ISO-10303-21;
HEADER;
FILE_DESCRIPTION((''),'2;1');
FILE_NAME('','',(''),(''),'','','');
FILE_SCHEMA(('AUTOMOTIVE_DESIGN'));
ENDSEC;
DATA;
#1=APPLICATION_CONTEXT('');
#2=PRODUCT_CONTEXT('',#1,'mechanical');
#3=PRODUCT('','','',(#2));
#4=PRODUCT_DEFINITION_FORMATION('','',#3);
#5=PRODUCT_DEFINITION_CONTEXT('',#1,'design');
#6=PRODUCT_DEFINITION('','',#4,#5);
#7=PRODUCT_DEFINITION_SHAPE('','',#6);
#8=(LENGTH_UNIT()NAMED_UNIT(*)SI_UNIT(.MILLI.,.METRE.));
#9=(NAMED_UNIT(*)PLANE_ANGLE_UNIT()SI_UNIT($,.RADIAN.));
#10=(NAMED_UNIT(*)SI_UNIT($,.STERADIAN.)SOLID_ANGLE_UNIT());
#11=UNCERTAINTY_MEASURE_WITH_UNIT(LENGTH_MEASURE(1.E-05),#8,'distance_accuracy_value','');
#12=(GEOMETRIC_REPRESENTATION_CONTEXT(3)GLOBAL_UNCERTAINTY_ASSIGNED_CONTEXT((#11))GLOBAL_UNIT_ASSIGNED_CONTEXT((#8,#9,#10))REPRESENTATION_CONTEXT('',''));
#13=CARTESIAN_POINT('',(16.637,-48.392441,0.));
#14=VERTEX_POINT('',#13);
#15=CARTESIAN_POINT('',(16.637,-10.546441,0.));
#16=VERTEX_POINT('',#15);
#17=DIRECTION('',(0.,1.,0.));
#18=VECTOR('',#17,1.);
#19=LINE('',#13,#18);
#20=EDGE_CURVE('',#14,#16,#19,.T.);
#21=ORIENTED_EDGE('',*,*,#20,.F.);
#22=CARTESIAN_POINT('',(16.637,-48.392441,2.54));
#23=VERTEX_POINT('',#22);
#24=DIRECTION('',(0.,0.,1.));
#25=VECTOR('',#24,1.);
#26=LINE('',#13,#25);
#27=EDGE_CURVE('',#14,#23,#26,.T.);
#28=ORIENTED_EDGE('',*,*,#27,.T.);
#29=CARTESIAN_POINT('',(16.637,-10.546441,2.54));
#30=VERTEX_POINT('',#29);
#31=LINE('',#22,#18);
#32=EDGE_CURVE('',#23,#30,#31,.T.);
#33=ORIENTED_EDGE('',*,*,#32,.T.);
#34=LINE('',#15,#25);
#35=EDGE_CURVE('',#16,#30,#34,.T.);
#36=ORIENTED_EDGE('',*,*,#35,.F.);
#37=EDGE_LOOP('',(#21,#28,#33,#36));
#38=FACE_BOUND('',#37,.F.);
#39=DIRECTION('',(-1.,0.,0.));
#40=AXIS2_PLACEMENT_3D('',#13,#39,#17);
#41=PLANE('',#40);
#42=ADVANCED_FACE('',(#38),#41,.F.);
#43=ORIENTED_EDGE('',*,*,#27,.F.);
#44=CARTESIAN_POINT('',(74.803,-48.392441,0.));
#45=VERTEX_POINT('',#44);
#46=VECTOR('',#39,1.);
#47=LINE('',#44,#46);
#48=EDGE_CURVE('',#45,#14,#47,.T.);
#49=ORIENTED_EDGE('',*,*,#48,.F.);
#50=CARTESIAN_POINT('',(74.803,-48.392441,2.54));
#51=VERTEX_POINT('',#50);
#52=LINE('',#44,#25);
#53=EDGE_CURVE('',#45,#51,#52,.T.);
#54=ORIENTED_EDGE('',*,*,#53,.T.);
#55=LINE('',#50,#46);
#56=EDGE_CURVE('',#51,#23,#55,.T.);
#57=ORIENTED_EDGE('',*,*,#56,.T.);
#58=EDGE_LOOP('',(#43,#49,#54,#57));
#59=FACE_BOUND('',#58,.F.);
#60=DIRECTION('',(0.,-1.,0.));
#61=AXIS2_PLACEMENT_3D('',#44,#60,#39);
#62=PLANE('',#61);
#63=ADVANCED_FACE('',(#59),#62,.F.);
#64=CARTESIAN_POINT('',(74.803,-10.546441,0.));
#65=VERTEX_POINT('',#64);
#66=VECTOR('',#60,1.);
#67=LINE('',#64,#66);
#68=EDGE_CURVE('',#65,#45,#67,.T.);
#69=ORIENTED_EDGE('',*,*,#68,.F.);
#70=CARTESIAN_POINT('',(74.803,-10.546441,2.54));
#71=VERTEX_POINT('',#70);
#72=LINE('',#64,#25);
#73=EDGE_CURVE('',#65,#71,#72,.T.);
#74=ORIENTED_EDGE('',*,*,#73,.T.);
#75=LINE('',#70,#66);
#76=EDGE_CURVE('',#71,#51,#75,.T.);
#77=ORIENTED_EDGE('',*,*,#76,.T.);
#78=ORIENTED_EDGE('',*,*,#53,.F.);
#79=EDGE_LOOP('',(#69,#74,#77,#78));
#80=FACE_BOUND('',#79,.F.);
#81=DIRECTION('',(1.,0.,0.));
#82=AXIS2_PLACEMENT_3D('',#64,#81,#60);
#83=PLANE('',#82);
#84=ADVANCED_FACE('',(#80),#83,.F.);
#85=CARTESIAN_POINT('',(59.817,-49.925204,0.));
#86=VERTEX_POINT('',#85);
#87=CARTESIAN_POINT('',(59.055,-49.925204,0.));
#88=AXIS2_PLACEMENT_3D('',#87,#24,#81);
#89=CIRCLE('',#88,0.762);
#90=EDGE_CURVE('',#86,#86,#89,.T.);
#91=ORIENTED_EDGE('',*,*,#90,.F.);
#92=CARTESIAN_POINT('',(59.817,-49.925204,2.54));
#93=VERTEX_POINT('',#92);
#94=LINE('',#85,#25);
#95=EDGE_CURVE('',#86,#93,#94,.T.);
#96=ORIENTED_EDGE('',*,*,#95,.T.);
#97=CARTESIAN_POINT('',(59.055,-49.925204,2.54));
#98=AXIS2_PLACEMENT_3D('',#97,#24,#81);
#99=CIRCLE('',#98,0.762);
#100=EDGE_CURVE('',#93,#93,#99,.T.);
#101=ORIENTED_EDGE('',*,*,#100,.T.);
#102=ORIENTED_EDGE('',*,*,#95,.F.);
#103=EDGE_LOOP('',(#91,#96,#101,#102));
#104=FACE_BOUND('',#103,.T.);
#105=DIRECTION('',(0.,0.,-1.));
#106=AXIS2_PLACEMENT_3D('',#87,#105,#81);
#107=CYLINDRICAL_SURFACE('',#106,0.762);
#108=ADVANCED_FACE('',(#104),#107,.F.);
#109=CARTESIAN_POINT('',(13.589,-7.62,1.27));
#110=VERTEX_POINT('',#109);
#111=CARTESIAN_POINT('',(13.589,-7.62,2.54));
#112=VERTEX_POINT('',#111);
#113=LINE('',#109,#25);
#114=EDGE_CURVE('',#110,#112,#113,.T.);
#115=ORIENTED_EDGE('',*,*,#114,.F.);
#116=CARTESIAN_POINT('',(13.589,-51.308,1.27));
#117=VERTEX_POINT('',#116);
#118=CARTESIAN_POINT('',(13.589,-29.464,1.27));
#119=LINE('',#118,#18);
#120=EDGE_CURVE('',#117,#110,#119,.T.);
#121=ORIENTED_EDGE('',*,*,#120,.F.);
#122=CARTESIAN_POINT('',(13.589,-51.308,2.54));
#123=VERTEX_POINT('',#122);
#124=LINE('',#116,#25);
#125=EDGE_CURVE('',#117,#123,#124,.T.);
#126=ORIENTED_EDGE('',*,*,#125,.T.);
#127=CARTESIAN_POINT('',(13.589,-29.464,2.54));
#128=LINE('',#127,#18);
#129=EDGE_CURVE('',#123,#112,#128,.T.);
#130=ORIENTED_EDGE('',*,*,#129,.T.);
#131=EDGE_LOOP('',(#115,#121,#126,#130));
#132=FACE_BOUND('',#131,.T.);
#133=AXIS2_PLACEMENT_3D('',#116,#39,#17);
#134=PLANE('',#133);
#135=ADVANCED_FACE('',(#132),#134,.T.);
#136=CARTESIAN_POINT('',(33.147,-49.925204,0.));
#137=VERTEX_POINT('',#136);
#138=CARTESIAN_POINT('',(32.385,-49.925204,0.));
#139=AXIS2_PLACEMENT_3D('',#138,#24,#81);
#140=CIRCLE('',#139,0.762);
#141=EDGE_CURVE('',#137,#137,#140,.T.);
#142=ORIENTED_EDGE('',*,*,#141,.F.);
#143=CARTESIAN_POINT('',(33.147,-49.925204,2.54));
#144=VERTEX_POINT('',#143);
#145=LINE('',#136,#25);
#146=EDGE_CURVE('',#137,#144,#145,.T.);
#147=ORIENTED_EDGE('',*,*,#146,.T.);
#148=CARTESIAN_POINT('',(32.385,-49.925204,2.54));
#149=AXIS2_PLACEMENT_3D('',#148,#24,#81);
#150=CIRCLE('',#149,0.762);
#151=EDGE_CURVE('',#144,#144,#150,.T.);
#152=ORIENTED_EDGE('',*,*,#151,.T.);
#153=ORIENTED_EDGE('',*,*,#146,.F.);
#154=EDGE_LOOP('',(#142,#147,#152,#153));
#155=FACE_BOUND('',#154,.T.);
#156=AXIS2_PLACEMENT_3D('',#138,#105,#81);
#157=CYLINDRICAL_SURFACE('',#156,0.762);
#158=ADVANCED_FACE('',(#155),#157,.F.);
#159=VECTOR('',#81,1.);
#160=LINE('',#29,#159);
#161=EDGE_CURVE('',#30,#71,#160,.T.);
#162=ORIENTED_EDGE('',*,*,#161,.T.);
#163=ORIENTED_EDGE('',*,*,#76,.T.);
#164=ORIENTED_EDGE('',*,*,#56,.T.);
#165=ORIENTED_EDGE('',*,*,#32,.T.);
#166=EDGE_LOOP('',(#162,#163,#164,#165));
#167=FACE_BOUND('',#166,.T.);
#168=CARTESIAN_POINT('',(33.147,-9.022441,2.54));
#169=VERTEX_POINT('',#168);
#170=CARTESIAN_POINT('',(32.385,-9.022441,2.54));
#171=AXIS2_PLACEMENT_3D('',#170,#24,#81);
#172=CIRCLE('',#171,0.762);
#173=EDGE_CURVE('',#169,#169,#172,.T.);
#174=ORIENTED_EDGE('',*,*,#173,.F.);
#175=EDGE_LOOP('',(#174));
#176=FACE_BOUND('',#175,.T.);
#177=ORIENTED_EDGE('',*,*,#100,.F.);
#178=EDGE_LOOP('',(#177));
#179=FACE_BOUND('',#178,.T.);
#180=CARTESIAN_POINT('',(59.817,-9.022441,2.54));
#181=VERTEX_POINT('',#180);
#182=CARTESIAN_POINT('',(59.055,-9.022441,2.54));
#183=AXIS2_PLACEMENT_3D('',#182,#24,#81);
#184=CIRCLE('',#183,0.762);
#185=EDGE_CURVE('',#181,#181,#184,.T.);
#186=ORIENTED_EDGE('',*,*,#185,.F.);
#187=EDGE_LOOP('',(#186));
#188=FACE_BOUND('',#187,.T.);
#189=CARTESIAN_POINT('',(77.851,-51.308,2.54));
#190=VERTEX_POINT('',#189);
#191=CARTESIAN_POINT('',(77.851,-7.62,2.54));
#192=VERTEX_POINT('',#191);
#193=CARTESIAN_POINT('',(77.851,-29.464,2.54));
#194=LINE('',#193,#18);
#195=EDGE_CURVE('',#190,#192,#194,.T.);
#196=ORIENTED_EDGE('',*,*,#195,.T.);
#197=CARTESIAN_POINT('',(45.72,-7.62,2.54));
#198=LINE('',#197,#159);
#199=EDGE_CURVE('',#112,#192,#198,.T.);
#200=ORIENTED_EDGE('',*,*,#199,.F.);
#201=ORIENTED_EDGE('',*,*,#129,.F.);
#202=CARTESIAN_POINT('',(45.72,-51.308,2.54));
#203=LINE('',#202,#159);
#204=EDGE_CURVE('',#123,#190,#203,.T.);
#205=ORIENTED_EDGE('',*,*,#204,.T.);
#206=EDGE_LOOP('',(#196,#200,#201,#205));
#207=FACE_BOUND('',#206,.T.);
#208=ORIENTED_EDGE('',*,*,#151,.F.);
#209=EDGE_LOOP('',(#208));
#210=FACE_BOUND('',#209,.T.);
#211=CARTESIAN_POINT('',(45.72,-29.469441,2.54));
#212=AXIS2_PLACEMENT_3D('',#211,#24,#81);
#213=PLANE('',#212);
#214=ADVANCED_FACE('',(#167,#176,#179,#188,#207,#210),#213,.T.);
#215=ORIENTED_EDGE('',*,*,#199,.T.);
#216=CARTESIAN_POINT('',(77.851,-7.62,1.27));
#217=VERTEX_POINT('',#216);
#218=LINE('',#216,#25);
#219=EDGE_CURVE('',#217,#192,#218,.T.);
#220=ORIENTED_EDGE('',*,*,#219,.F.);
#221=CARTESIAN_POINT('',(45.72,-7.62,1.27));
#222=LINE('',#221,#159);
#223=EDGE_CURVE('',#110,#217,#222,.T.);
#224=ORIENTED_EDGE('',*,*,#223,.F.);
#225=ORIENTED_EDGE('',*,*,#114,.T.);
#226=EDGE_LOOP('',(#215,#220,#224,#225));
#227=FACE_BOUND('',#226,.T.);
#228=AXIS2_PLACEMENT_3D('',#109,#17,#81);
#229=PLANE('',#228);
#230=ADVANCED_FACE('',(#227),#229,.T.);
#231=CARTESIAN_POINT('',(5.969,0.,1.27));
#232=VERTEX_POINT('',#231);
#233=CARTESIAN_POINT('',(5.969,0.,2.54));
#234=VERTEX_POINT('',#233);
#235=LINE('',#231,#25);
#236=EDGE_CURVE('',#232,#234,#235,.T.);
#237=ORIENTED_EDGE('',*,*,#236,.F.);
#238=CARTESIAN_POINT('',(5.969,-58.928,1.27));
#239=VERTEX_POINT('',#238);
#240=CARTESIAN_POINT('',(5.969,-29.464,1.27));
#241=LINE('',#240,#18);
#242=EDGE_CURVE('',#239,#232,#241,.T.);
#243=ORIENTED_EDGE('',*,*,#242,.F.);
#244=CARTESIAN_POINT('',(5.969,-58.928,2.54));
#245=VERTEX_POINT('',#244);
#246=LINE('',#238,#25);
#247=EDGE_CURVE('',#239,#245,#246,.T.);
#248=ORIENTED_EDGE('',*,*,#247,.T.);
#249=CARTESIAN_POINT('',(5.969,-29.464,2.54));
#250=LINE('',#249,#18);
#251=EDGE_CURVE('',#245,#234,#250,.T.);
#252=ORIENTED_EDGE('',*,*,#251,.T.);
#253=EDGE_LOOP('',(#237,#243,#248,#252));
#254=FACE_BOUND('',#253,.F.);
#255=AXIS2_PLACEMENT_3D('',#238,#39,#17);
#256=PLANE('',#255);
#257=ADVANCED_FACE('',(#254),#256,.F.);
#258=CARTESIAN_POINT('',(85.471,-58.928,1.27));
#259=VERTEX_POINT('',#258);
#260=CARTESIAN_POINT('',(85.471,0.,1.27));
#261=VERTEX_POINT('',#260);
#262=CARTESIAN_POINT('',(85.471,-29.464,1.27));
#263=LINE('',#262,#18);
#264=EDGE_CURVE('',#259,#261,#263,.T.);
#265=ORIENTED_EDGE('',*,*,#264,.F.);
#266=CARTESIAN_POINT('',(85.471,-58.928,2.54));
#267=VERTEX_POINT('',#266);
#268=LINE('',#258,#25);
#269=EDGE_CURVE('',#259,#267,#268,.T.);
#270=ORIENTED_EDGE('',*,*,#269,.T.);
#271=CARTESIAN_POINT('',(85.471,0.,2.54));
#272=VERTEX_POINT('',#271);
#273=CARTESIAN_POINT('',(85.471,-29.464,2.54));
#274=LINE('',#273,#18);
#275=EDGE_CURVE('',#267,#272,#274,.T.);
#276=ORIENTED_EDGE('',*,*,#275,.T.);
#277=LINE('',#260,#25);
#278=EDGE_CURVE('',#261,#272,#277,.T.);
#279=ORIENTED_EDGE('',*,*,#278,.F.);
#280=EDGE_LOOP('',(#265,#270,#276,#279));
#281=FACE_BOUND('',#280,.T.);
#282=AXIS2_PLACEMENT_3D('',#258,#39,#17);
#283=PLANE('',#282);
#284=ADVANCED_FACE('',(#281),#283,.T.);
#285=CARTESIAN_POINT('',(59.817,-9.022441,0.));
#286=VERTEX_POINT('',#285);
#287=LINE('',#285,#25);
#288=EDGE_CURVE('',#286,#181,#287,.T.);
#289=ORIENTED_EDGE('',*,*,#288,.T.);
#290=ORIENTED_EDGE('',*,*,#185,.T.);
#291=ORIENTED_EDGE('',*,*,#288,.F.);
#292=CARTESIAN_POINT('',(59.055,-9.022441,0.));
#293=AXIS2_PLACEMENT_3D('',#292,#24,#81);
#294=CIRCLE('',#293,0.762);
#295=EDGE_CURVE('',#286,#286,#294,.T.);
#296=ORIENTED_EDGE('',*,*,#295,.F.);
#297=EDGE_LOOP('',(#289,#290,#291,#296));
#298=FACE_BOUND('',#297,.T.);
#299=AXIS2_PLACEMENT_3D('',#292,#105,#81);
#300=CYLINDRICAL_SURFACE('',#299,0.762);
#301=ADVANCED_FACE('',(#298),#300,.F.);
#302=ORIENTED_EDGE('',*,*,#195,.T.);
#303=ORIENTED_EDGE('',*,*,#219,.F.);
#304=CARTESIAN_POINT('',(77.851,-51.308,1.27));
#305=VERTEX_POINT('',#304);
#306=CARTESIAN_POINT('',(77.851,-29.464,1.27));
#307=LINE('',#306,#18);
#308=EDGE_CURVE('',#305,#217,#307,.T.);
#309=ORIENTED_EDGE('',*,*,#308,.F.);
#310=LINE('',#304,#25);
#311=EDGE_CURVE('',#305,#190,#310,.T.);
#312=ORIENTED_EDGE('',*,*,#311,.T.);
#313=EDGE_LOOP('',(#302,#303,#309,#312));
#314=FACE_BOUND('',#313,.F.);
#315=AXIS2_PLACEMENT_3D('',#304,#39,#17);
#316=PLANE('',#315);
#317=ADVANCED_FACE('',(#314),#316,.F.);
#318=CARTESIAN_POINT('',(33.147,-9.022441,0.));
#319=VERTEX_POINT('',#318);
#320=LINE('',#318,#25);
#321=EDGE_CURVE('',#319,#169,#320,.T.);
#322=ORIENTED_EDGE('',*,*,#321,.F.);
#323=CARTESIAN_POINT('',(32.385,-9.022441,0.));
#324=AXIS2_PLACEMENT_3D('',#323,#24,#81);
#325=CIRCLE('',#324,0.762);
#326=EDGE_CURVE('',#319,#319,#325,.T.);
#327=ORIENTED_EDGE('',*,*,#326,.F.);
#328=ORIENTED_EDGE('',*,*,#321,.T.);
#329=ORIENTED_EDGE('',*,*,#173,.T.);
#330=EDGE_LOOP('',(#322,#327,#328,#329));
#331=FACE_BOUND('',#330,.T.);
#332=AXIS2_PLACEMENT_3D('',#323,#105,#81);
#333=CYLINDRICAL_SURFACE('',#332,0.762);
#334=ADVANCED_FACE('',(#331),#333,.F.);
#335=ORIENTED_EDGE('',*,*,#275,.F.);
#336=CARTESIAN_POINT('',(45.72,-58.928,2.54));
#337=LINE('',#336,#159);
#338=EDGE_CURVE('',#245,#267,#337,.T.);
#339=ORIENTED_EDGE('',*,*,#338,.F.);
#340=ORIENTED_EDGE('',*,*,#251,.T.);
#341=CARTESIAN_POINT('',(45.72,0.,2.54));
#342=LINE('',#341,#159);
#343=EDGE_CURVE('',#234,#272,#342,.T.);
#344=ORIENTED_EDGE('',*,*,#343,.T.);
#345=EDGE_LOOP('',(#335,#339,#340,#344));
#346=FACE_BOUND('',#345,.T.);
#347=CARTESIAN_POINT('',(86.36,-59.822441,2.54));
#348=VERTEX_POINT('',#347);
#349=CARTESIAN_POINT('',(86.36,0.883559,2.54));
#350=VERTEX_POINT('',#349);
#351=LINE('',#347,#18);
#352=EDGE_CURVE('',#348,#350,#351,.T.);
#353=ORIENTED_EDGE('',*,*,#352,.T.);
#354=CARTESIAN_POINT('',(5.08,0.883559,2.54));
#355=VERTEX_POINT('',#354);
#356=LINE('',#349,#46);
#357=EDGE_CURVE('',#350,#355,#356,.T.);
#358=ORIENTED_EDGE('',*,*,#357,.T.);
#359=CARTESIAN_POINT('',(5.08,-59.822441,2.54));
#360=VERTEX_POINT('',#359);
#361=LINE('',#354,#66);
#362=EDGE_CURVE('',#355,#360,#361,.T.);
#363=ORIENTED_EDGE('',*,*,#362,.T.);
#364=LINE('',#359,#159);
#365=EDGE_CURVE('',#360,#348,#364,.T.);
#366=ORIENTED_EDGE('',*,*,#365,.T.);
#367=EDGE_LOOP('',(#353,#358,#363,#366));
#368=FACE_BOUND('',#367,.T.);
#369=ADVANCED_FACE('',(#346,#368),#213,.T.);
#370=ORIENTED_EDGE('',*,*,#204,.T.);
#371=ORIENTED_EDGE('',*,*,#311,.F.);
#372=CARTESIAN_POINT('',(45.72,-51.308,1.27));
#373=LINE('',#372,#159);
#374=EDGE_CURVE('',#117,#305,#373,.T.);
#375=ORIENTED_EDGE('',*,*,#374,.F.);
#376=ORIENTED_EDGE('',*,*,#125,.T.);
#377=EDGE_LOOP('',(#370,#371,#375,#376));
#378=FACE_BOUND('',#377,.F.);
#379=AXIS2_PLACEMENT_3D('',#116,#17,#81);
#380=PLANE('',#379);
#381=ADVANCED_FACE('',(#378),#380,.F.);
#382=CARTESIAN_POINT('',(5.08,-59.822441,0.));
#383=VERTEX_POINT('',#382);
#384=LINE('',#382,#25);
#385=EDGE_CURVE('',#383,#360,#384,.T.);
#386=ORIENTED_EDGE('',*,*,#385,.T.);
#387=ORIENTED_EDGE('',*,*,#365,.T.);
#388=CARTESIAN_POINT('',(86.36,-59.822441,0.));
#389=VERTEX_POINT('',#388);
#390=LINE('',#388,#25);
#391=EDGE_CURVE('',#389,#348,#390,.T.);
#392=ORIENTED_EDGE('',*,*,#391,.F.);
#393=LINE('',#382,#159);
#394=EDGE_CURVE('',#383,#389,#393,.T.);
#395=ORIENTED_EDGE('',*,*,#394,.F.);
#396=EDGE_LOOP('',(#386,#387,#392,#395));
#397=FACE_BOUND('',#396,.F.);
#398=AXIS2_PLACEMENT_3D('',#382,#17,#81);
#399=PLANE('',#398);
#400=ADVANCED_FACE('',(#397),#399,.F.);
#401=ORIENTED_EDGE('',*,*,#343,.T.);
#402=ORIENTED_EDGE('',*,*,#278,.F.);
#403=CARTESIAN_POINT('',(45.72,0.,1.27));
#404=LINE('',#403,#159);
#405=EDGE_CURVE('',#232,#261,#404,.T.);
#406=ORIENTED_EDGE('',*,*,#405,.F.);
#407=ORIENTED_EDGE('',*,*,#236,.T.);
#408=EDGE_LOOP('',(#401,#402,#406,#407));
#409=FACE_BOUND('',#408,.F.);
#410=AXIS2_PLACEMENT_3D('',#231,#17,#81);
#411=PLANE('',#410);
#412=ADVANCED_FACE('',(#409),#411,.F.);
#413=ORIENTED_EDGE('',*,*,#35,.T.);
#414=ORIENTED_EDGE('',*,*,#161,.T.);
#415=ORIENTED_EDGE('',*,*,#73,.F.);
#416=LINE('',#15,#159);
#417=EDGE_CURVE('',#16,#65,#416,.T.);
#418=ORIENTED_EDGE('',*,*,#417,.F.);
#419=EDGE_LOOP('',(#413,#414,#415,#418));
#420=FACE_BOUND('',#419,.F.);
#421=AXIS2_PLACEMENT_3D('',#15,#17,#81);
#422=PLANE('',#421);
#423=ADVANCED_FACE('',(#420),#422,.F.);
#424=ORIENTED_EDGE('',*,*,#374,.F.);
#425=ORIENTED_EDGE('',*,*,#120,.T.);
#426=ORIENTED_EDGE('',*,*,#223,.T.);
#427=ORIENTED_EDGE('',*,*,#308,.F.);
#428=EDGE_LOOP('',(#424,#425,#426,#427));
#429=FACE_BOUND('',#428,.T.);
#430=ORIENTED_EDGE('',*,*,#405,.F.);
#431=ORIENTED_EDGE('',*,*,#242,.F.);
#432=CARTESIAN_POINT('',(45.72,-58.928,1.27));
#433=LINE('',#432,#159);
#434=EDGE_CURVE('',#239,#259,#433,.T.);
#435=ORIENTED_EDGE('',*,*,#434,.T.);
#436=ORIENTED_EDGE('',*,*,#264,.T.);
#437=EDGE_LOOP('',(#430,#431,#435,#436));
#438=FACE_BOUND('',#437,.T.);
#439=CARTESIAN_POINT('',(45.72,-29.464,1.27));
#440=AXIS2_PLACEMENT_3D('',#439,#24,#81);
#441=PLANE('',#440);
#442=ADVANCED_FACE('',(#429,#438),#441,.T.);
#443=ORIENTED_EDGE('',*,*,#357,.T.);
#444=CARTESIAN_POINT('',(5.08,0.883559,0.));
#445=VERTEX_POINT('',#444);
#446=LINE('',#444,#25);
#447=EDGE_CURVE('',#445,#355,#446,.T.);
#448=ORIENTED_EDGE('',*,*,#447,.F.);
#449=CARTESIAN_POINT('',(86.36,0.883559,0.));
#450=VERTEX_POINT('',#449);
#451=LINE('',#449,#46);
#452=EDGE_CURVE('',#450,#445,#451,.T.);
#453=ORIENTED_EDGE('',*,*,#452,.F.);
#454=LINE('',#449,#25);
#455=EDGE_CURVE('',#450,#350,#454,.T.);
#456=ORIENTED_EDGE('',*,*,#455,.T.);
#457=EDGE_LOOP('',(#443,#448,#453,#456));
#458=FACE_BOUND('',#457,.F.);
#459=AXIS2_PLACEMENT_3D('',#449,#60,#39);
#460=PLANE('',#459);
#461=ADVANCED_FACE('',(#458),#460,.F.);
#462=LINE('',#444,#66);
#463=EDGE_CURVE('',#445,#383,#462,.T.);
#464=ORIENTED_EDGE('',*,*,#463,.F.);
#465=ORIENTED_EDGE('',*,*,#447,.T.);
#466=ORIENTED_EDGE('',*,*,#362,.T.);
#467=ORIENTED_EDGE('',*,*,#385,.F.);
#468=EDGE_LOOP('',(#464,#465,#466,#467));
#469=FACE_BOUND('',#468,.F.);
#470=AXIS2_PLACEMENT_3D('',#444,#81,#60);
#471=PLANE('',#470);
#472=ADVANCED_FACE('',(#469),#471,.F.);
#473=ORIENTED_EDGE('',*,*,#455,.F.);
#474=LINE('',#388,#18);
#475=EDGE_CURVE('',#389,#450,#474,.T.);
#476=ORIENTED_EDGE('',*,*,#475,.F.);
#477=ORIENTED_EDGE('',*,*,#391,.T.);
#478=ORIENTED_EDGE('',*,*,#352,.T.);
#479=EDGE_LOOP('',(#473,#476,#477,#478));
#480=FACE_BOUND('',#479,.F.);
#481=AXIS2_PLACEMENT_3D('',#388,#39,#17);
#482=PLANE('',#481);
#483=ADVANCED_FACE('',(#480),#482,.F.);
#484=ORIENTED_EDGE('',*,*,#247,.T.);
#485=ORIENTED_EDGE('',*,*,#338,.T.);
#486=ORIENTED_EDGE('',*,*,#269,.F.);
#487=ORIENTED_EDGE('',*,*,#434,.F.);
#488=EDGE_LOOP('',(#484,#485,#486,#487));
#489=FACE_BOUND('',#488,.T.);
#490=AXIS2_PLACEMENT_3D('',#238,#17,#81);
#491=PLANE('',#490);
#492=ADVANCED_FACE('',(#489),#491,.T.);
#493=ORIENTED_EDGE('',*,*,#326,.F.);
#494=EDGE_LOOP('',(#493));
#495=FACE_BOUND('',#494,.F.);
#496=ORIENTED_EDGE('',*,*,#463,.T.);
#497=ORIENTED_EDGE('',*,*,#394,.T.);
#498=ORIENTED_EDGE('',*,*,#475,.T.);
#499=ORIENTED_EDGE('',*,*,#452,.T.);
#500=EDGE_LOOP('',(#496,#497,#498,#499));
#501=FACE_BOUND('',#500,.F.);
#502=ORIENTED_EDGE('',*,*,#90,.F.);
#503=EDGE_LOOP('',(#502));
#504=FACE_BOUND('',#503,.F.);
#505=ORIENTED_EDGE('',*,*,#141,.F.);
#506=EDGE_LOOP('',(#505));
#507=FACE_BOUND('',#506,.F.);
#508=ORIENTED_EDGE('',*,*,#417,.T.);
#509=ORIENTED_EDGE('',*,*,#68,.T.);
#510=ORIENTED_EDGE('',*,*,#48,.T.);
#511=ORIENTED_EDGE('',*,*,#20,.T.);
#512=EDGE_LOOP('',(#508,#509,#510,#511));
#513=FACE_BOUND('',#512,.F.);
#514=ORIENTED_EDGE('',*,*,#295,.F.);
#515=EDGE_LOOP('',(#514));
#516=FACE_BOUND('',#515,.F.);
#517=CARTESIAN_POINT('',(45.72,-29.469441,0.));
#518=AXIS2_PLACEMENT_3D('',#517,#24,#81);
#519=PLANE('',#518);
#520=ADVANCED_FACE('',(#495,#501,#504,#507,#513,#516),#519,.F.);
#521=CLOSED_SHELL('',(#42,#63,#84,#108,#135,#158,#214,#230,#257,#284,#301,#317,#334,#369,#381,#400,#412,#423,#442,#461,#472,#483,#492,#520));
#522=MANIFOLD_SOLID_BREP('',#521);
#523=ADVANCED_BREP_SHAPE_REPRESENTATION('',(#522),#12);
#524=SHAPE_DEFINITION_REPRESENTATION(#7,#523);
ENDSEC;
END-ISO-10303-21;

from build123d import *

# Parameters (mm, degrees)
F0_R     = 0.762
F1_DEPTH = 2.54
F3_W     = 79.502
F3_H     = 58.928
F3_W_2   = 64.262
F3_H_2   = 43.688
F4_DEPTH = 1.27


with BuildPart() as f1:
    # F0 (on Top) → F1 (new body)
    with BuildSketch(Plane.XY):
        Polygon((86.36, 0.883559), (5.08, 0.883559), (5.08, -29.469441), (5.08, -59.822441), (86.36, -59.822441), align=None)
        with Locations((32.385, -49.925204)):
            Circle(F0_R, mode=Mode.SUBTRACT)
        Polygon((16.637, -10.546441), (45.72, -10.546441), (74.803, -10.546441), (74.803, -48.392441), (45.72, -48.392441), (16.637, -48.392441), align=None, mode=Mode.SUBTRACT)
        with Locations((59.055, -49.925204)):
            Circle(F0_R, mode=Mode.SUBTRACT)
        with Locations((32.385, -9.022441)):
            Circle(F0_R, mode=Mode.SUBTRACT)
        with Locations((59.055, -9.022441)):
            Circle(F0_R, mode=Mode.SUBTRACT)
    extrude(amount=F1_DEPTH)

    # F3 (on offset) → F4 (cut)
    with BuildSketch(Plane.XY.offset(1.27)):
        with Locations((45.72, -29.464)):
            Rectangle(F3_W, F3_H)
        with Locations((45.72, -29.464)):
            Rectangle(F3_W_2, F3_H_2, mode=Mode.SUBTRACT)
    extrude(amount=F4_DEPTH, mode=Mode.SUBTRACT)


solid = f1.part
